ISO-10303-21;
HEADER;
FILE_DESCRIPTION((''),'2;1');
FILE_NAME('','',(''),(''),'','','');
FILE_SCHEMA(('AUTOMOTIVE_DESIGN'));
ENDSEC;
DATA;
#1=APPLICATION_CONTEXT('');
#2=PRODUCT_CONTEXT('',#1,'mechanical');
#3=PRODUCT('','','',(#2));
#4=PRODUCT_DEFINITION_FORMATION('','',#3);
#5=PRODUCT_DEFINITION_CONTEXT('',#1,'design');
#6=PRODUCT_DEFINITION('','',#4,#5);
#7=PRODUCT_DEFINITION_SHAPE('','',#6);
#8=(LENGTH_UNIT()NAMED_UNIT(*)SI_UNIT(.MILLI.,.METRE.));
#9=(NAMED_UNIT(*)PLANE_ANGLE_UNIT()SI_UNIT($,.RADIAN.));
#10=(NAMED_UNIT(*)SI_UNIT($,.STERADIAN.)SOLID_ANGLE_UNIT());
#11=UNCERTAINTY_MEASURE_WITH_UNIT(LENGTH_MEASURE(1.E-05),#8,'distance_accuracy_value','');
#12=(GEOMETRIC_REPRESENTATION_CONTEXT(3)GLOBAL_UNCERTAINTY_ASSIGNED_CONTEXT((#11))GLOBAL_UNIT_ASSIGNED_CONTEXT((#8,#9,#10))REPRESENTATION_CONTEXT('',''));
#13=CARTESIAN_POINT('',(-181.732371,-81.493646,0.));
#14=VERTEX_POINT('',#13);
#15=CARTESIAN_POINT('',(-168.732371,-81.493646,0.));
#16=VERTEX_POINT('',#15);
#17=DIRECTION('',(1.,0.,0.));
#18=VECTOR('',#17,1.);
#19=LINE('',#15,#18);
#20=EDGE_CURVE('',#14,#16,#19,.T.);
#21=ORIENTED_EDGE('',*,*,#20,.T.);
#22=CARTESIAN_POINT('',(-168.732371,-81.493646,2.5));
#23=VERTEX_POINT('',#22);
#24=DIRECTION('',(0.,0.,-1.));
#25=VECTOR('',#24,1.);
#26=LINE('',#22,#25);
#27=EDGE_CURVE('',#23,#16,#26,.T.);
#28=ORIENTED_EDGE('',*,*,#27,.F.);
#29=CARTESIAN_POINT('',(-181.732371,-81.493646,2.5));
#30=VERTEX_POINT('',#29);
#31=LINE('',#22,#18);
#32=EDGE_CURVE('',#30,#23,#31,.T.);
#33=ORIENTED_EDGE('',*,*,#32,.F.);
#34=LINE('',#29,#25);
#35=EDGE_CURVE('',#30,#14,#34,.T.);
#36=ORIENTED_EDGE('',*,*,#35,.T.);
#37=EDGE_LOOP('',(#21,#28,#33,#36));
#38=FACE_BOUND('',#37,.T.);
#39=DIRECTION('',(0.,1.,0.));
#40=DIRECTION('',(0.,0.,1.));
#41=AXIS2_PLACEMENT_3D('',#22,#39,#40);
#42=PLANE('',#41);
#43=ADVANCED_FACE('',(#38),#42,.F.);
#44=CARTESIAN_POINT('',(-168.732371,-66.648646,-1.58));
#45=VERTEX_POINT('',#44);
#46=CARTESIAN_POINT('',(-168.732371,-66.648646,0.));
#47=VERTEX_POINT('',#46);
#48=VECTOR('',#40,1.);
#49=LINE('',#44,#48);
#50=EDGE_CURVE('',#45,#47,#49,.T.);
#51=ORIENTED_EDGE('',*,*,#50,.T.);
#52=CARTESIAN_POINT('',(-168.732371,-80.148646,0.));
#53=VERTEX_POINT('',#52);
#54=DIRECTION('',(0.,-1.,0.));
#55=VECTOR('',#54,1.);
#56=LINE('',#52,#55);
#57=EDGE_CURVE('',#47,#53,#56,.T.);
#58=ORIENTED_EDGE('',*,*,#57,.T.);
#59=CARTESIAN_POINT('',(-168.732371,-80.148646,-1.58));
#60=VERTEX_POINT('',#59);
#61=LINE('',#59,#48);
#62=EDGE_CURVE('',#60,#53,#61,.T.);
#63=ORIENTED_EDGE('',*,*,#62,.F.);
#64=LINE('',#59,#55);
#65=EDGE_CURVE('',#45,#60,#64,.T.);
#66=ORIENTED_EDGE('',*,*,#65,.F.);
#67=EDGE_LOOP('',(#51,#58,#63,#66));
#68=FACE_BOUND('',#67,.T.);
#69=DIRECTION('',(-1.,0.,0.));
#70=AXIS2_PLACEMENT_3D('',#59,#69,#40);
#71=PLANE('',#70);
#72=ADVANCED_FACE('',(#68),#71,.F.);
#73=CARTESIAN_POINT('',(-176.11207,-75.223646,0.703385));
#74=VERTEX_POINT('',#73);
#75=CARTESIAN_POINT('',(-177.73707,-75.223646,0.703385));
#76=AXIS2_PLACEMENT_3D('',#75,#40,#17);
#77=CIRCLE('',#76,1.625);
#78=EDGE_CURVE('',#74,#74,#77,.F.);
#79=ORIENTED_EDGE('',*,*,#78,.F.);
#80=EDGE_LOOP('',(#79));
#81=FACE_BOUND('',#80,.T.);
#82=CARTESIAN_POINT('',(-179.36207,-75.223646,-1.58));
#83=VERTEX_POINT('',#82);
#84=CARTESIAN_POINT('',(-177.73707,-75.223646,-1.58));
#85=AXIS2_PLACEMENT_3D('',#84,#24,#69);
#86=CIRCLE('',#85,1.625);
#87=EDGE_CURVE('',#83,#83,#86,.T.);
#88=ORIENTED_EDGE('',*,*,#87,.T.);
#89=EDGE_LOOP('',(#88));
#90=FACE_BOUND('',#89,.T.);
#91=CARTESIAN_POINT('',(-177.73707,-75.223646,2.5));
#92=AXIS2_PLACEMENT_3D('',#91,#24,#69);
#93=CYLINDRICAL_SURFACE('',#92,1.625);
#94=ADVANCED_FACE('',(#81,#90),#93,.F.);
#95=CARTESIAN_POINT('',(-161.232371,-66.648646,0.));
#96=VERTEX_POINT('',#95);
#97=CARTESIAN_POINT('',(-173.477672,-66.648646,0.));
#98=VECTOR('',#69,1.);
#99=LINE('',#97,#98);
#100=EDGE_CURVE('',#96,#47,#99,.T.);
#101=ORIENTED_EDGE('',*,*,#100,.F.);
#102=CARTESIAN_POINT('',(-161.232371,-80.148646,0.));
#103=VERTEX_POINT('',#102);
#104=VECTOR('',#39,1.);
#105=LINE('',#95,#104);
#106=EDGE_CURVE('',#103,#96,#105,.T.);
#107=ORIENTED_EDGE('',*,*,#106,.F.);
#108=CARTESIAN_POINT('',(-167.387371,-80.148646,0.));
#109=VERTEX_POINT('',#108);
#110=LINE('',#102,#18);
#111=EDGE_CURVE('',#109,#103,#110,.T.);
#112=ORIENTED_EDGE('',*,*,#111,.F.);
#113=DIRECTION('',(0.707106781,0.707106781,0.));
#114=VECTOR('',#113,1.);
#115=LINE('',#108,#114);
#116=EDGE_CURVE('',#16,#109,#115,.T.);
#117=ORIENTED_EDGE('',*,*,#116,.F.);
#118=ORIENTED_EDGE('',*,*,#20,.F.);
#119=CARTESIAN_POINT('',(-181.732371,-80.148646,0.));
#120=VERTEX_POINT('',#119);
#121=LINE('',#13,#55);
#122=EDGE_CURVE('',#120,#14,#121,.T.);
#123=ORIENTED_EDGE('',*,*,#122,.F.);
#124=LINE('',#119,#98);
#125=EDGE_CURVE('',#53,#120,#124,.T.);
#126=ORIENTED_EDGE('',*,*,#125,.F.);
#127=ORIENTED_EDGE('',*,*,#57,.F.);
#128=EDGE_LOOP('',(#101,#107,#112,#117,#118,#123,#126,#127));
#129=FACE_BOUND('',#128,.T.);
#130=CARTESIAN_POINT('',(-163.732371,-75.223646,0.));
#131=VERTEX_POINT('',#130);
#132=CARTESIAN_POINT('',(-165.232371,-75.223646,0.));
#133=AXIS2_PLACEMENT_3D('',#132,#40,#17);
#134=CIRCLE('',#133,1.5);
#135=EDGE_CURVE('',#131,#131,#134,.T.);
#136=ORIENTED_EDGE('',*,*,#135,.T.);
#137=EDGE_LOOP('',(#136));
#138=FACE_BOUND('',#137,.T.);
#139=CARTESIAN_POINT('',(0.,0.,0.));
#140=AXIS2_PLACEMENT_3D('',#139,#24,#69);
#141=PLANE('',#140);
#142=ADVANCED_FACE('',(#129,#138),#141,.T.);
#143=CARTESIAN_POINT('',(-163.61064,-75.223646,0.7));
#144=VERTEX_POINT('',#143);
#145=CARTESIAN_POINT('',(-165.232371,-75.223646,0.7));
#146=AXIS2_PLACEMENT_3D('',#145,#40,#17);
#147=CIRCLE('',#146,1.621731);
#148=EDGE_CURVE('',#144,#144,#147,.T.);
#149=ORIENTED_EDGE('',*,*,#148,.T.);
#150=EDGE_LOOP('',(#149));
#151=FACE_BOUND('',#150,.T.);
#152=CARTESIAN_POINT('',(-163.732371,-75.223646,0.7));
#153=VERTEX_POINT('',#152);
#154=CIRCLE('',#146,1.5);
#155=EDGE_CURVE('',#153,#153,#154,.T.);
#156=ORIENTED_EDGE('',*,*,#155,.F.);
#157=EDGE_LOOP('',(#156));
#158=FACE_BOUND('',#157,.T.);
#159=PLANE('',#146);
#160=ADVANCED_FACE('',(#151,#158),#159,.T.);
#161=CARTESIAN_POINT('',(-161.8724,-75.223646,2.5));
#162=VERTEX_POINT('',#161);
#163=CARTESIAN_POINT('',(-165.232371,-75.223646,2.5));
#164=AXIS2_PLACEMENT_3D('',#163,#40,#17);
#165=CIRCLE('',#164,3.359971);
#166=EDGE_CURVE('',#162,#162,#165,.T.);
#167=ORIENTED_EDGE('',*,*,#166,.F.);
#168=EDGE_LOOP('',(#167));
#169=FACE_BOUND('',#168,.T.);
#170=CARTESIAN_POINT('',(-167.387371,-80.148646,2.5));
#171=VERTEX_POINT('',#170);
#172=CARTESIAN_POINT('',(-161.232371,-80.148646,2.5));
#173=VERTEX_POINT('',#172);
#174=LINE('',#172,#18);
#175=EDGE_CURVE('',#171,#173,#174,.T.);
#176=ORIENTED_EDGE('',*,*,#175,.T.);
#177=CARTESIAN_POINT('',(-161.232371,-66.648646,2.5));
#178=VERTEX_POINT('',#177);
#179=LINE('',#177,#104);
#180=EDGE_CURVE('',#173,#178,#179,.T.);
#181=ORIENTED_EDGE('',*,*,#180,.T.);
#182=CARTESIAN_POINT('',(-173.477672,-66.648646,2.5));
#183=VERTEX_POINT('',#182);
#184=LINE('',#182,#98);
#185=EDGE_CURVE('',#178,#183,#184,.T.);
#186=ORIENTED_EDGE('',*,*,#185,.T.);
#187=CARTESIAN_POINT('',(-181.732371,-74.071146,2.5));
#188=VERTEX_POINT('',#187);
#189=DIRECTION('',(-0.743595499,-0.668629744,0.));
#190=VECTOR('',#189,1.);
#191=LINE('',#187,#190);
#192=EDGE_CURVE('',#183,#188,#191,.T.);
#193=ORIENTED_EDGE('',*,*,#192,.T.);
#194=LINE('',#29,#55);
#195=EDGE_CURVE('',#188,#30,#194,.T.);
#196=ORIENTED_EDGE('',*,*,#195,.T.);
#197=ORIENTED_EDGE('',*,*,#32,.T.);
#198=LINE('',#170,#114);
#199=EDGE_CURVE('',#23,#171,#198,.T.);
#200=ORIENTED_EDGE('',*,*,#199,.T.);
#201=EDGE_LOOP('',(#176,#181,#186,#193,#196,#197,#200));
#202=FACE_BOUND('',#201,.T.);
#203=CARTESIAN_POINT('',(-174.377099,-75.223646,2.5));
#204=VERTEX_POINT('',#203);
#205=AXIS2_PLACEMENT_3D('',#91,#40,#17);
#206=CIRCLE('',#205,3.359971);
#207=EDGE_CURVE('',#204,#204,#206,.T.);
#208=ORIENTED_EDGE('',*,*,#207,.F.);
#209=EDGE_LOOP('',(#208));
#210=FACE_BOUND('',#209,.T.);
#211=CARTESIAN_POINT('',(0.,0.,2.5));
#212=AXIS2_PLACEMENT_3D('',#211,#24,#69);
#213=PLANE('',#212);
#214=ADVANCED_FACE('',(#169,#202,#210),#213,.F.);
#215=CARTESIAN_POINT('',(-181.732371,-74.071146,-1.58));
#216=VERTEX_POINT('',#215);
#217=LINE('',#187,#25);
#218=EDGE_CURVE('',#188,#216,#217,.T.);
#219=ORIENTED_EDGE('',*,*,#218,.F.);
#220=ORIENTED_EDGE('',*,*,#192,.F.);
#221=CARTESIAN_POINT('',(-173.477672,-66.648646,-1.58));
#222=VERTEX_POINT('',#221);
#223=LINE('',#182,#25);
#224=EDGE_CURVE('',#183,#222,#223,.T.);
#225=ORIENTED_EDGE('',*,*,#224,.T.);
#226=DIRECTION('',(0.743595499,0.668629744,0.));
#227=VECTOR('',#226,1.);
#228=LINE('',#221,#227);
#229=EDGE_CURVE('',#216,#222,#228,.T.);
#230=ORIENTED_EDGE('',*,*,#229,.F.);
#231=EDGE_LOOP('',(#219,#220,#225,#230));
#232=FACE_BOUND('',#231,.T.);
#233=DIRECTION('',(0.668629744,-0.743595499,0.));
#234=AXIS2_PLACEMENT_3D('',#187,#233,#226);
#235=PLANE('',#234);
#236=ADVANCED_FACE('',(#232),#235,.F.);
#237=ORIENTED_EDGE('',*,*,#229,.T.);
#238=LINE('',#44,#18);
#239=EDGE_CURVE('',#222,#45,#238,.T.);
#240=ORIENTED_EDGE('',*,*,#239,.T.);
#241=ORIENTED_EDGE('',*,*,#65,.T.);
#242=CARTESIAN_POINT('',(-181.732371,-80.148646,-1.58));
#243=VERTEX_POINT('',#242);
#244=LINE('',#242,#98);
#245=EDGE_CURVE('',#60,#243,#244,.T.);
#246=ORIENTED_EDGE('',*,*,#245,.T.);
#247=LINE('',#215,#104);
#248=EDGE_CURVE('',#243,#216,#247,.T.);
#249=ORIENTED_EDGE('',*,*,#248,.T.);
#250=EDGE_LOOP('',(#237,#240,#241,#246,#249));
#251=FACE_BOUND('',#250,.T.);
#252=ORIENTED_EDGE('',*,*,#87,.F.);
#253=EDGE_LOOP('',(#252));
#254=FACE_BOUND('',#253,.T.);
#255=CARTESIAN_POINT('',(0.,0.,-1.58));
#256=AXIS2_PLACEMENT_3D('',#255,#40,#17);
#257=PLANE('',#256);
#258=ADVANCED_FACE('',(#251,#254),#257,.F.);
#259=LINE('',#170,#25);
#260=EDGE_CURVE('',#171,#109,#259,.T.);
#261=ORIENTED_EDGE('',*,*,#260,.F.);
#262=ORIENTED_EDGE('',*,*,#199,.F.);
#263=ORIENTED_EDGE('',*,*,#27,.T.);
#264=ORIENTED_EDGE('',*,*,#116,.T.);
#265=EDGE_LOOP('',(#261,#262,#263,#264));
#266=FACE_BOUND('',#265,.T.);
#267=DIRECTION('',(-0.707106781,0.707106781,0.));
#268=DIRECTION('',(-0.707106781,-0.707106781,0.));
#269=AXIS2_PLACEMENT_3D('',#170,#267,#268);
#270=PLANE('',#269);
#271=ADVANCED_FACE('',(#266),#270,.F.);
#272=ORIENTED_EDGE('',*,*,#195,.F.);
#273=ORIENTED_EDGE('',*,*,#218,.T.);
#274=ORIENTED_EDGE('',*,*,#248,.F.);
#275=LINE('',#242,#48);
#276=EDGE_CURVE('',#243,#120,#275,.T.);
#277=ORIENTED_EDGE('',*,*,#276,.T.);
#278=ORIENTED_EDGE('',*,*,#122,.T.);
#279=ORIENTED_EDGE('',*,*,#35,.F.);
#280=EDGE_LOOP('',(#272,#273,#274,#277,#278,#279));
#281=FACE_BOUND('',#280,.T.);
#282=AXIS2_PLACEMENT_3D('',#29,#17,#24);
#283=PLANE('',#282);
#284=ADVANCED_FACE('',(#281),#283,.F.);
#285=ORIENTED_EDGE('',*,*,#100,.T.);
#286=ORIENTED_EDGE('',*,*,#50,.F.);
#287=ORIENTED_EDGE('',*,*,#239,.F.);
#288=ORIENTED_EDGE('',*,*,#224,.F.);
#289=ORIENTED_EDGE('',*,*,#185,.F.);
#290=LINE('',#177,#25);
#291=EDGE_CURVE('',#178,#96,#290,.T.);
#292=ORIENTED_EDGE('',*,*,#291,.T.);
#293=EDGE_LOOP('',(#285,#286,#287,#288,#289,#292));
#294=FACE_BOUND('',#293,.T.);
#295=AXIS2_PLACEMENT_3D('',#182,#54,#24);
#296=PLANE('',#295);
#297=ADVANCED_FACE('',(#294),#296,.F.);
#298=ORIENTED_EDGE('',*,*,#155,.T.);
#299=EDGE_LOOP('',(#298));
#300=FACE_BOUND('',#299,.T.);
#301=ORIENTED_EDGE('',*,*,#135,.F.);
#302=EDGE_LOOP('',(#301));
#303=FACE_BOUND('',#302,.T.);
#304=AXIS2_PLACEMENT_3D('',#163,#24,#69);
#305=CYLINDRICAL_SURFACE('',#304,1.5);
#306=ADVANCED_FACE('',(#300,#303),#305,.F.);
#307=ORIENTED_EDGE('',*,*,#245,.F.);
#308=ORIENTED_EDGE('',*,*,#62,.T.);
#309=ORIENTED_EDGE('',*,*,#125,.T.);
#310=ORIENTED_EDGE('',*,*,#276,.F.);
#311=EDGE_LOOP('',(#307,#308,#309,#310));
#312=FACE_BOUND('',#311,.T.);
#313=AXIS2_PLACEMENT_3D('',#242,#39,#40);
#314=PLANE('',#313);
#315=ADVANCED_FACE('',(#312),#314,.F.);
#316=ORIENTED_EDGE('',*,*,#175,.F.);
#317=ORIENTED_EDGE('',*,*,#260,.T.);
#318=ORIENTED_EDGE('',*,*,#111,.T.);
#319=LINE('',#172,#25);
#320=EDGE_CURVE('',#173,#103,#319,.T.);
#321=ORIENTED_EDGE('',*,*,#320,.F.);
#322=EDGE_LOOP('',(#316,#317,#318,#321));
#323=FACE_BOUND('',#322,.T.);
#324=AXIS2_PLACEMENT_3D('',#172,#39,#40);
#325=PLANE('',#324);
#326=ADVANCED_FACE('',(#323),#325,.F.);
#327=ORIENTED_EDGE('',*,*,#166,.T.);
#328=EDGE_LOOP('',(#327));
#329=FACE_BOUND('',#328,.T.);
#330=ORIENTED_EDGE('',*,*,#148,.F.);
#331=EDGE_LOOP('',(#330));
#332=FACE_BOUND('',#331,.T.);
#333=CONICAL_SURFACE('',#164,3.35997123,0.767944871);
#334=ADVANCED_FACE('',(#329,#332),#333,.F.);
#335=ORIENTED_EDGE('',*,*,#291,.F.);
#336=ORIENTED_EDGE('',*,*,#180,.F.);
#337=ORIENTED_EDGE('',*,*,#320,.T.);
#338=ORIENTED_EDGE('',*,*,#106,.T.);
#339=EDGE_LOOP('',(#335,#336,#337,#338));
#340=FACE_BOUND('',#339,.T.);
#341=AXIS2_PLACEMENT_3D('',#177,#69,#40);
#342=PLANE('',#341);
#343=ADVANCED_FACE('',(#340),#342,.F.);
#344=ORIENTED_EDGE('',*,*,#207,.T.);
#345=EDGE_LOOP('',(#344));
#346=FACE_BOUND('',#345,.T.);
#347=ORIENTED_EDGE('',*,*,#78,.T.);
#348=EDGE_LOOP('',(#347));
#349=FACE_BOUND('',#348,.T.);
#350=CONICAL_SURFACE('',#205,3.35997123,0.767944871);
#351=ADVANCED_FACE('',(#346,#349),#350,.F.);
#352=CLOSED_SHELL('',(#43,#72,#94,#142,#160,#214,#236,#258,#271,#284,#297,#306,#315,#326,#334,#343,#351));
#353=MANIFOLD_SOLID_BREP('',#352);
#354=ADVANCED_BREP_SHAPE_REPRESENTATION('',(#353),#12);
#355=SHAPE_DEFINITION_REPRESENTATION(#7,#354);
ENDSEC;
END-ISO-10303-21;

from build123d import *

# Parameters (mm, degrees)
CROQUIS1_R                      = 1.625
CROQUIS1_R_2                    = 1.5
SALIENTE_EXTRUIR1_DEPTH         = 2.5
CROQUIS3_R                      = 3.35997123
CORTAR_EXTRUIR1_DEPTH           = 1.8
CORTAR_EXTRUIR1_DRAFT           = -44
CORTAR_EXTRUIR1_PROFILE_2_DEPTH = 1.8
CORTAR_EXTRUIR1_PROFILE_2_DRAFT = -44
SALIENTE_EXTRUIR2_START         = 1.58
CROQUIS4_R                      = 1.625
SALIENTE_EXTRUIR2_DEPTH         = 1.58


with BuildPart() as part:
    # Croquis1 → Saliente-Extruir1 (new body)
    with BuildSketch(Plane.XY):
        Polygon((-181.732371, -74.071146), (-173.47767153, -66.648646), (-161.232371, -66.648646), (-161.232371, -80.148646), (-167.387371, -80.148646), (-168.732371, -81.493646), (-181.732371, -81.493646), align=None)
        with Locations((-177.73707047, -75.223646)):
            Circle(CROQUIS1_R, mode=Mode.SUBTRACT)
        with Locations((-165.232371, -75.223646)):
            Circle(CROQUIS1_R_2, mode=Mode.SUBTRACT)
    extrude(amount=SALIENTE_EXTRUIR1_DEPTH)


with BuildPart() as cortar_extruir1_tool:
    # Croquis3 → Cortar-Extruir1 (with draft: the straight prism first)
    with BuildSketch(Plane.XY.offset(2.5)):
        with Locations((-177.73707047, -75.223646)):
            Circle(CROQUIS3_R)
    extrude(amount=-CORTAR_EXTRUIR1_DEPTH)
    # Cortar-Extruir1: the draft: its side faces are tilted about the plane it starts from
    cortar_extruir1_sides = [cortar_extruir1_tool.faces().sort_by_distance(p)[0] for p in [
        (-181.0970417, -75.223646, 1.6),
    ]]
    draft(cortar_extruir1_sides, Plane.XY.offset(2.5), CORTAR_EXTRUIR1_DRAFT)


with BuildPart() as part_1:
    add(part.part)

    # Cortar-Extruir1: cut by cortar_extruir1_tool
    add(cortar_extruir1_tool.part, mode=Mode.SUBTRACT)


with BuildPart() as cortar_extruir1_profile_2_tool:
    # Croquis3 → Cortar-Extruir1 profile 2 (with draft: the straight prism first)
    with BuildSketch(Plane.XY.offset(2.5)):
        with Locations((-165.232371, -75.223646)):
            Circle(CROQUIS3_R)
    extrude(amount=-CORTAR_EXTRUIR1_PROFILE_2_DEPTH)
    # Cortar-Extruir1 profile 2: the draft: its side faces are tilted about the plane it starts from
    cortar_extruir1_profile_2_sides = [cortar_extruir1_profile_2_tool.faces().sort_by_distance(p)[0] for p in [
        (-168.59234223, -75.223646, 1.6),
    ]]
    draft(cortar_extruir1_profile_2_sides, Plane.XY.offset(2.5), CORTAR_EXTRUIR1_PROFILE_2_DRAFT)


with BuildPart() as part_2:
    add(part_1.part)

    # Cortar-Extruir1 profile 2: cut by cortar_extruir1_profile_2_tool
    add(cortar_extruir1_profile_2_tool.part, mode=Mode.SUBTRACT)

    # Croquis4 → Saliente-Extruir2 (add)
    with BuildSketch(Plane(origin=(0, 0, 0), x_dir=(-1, 0, 0), z_dir=(0, 0, -1)).offset(SALIENTE_EXTRUIR2_START)):
        Polygon((173.47767153, -66.648646), (181.732371, -74.071146), (181.732371, -80.148646), (168.732371, -80.148646), (168.732371, -66.648646), align=None)
        with Locations((177.73707047, -75.223646)):
            Circle(CROQUIS4_R, mode=Mode.SUBTRACT)
    extrude(amount=-SALIENTE_EXTRUIR2_DEPTH)


solid = part_2.part
